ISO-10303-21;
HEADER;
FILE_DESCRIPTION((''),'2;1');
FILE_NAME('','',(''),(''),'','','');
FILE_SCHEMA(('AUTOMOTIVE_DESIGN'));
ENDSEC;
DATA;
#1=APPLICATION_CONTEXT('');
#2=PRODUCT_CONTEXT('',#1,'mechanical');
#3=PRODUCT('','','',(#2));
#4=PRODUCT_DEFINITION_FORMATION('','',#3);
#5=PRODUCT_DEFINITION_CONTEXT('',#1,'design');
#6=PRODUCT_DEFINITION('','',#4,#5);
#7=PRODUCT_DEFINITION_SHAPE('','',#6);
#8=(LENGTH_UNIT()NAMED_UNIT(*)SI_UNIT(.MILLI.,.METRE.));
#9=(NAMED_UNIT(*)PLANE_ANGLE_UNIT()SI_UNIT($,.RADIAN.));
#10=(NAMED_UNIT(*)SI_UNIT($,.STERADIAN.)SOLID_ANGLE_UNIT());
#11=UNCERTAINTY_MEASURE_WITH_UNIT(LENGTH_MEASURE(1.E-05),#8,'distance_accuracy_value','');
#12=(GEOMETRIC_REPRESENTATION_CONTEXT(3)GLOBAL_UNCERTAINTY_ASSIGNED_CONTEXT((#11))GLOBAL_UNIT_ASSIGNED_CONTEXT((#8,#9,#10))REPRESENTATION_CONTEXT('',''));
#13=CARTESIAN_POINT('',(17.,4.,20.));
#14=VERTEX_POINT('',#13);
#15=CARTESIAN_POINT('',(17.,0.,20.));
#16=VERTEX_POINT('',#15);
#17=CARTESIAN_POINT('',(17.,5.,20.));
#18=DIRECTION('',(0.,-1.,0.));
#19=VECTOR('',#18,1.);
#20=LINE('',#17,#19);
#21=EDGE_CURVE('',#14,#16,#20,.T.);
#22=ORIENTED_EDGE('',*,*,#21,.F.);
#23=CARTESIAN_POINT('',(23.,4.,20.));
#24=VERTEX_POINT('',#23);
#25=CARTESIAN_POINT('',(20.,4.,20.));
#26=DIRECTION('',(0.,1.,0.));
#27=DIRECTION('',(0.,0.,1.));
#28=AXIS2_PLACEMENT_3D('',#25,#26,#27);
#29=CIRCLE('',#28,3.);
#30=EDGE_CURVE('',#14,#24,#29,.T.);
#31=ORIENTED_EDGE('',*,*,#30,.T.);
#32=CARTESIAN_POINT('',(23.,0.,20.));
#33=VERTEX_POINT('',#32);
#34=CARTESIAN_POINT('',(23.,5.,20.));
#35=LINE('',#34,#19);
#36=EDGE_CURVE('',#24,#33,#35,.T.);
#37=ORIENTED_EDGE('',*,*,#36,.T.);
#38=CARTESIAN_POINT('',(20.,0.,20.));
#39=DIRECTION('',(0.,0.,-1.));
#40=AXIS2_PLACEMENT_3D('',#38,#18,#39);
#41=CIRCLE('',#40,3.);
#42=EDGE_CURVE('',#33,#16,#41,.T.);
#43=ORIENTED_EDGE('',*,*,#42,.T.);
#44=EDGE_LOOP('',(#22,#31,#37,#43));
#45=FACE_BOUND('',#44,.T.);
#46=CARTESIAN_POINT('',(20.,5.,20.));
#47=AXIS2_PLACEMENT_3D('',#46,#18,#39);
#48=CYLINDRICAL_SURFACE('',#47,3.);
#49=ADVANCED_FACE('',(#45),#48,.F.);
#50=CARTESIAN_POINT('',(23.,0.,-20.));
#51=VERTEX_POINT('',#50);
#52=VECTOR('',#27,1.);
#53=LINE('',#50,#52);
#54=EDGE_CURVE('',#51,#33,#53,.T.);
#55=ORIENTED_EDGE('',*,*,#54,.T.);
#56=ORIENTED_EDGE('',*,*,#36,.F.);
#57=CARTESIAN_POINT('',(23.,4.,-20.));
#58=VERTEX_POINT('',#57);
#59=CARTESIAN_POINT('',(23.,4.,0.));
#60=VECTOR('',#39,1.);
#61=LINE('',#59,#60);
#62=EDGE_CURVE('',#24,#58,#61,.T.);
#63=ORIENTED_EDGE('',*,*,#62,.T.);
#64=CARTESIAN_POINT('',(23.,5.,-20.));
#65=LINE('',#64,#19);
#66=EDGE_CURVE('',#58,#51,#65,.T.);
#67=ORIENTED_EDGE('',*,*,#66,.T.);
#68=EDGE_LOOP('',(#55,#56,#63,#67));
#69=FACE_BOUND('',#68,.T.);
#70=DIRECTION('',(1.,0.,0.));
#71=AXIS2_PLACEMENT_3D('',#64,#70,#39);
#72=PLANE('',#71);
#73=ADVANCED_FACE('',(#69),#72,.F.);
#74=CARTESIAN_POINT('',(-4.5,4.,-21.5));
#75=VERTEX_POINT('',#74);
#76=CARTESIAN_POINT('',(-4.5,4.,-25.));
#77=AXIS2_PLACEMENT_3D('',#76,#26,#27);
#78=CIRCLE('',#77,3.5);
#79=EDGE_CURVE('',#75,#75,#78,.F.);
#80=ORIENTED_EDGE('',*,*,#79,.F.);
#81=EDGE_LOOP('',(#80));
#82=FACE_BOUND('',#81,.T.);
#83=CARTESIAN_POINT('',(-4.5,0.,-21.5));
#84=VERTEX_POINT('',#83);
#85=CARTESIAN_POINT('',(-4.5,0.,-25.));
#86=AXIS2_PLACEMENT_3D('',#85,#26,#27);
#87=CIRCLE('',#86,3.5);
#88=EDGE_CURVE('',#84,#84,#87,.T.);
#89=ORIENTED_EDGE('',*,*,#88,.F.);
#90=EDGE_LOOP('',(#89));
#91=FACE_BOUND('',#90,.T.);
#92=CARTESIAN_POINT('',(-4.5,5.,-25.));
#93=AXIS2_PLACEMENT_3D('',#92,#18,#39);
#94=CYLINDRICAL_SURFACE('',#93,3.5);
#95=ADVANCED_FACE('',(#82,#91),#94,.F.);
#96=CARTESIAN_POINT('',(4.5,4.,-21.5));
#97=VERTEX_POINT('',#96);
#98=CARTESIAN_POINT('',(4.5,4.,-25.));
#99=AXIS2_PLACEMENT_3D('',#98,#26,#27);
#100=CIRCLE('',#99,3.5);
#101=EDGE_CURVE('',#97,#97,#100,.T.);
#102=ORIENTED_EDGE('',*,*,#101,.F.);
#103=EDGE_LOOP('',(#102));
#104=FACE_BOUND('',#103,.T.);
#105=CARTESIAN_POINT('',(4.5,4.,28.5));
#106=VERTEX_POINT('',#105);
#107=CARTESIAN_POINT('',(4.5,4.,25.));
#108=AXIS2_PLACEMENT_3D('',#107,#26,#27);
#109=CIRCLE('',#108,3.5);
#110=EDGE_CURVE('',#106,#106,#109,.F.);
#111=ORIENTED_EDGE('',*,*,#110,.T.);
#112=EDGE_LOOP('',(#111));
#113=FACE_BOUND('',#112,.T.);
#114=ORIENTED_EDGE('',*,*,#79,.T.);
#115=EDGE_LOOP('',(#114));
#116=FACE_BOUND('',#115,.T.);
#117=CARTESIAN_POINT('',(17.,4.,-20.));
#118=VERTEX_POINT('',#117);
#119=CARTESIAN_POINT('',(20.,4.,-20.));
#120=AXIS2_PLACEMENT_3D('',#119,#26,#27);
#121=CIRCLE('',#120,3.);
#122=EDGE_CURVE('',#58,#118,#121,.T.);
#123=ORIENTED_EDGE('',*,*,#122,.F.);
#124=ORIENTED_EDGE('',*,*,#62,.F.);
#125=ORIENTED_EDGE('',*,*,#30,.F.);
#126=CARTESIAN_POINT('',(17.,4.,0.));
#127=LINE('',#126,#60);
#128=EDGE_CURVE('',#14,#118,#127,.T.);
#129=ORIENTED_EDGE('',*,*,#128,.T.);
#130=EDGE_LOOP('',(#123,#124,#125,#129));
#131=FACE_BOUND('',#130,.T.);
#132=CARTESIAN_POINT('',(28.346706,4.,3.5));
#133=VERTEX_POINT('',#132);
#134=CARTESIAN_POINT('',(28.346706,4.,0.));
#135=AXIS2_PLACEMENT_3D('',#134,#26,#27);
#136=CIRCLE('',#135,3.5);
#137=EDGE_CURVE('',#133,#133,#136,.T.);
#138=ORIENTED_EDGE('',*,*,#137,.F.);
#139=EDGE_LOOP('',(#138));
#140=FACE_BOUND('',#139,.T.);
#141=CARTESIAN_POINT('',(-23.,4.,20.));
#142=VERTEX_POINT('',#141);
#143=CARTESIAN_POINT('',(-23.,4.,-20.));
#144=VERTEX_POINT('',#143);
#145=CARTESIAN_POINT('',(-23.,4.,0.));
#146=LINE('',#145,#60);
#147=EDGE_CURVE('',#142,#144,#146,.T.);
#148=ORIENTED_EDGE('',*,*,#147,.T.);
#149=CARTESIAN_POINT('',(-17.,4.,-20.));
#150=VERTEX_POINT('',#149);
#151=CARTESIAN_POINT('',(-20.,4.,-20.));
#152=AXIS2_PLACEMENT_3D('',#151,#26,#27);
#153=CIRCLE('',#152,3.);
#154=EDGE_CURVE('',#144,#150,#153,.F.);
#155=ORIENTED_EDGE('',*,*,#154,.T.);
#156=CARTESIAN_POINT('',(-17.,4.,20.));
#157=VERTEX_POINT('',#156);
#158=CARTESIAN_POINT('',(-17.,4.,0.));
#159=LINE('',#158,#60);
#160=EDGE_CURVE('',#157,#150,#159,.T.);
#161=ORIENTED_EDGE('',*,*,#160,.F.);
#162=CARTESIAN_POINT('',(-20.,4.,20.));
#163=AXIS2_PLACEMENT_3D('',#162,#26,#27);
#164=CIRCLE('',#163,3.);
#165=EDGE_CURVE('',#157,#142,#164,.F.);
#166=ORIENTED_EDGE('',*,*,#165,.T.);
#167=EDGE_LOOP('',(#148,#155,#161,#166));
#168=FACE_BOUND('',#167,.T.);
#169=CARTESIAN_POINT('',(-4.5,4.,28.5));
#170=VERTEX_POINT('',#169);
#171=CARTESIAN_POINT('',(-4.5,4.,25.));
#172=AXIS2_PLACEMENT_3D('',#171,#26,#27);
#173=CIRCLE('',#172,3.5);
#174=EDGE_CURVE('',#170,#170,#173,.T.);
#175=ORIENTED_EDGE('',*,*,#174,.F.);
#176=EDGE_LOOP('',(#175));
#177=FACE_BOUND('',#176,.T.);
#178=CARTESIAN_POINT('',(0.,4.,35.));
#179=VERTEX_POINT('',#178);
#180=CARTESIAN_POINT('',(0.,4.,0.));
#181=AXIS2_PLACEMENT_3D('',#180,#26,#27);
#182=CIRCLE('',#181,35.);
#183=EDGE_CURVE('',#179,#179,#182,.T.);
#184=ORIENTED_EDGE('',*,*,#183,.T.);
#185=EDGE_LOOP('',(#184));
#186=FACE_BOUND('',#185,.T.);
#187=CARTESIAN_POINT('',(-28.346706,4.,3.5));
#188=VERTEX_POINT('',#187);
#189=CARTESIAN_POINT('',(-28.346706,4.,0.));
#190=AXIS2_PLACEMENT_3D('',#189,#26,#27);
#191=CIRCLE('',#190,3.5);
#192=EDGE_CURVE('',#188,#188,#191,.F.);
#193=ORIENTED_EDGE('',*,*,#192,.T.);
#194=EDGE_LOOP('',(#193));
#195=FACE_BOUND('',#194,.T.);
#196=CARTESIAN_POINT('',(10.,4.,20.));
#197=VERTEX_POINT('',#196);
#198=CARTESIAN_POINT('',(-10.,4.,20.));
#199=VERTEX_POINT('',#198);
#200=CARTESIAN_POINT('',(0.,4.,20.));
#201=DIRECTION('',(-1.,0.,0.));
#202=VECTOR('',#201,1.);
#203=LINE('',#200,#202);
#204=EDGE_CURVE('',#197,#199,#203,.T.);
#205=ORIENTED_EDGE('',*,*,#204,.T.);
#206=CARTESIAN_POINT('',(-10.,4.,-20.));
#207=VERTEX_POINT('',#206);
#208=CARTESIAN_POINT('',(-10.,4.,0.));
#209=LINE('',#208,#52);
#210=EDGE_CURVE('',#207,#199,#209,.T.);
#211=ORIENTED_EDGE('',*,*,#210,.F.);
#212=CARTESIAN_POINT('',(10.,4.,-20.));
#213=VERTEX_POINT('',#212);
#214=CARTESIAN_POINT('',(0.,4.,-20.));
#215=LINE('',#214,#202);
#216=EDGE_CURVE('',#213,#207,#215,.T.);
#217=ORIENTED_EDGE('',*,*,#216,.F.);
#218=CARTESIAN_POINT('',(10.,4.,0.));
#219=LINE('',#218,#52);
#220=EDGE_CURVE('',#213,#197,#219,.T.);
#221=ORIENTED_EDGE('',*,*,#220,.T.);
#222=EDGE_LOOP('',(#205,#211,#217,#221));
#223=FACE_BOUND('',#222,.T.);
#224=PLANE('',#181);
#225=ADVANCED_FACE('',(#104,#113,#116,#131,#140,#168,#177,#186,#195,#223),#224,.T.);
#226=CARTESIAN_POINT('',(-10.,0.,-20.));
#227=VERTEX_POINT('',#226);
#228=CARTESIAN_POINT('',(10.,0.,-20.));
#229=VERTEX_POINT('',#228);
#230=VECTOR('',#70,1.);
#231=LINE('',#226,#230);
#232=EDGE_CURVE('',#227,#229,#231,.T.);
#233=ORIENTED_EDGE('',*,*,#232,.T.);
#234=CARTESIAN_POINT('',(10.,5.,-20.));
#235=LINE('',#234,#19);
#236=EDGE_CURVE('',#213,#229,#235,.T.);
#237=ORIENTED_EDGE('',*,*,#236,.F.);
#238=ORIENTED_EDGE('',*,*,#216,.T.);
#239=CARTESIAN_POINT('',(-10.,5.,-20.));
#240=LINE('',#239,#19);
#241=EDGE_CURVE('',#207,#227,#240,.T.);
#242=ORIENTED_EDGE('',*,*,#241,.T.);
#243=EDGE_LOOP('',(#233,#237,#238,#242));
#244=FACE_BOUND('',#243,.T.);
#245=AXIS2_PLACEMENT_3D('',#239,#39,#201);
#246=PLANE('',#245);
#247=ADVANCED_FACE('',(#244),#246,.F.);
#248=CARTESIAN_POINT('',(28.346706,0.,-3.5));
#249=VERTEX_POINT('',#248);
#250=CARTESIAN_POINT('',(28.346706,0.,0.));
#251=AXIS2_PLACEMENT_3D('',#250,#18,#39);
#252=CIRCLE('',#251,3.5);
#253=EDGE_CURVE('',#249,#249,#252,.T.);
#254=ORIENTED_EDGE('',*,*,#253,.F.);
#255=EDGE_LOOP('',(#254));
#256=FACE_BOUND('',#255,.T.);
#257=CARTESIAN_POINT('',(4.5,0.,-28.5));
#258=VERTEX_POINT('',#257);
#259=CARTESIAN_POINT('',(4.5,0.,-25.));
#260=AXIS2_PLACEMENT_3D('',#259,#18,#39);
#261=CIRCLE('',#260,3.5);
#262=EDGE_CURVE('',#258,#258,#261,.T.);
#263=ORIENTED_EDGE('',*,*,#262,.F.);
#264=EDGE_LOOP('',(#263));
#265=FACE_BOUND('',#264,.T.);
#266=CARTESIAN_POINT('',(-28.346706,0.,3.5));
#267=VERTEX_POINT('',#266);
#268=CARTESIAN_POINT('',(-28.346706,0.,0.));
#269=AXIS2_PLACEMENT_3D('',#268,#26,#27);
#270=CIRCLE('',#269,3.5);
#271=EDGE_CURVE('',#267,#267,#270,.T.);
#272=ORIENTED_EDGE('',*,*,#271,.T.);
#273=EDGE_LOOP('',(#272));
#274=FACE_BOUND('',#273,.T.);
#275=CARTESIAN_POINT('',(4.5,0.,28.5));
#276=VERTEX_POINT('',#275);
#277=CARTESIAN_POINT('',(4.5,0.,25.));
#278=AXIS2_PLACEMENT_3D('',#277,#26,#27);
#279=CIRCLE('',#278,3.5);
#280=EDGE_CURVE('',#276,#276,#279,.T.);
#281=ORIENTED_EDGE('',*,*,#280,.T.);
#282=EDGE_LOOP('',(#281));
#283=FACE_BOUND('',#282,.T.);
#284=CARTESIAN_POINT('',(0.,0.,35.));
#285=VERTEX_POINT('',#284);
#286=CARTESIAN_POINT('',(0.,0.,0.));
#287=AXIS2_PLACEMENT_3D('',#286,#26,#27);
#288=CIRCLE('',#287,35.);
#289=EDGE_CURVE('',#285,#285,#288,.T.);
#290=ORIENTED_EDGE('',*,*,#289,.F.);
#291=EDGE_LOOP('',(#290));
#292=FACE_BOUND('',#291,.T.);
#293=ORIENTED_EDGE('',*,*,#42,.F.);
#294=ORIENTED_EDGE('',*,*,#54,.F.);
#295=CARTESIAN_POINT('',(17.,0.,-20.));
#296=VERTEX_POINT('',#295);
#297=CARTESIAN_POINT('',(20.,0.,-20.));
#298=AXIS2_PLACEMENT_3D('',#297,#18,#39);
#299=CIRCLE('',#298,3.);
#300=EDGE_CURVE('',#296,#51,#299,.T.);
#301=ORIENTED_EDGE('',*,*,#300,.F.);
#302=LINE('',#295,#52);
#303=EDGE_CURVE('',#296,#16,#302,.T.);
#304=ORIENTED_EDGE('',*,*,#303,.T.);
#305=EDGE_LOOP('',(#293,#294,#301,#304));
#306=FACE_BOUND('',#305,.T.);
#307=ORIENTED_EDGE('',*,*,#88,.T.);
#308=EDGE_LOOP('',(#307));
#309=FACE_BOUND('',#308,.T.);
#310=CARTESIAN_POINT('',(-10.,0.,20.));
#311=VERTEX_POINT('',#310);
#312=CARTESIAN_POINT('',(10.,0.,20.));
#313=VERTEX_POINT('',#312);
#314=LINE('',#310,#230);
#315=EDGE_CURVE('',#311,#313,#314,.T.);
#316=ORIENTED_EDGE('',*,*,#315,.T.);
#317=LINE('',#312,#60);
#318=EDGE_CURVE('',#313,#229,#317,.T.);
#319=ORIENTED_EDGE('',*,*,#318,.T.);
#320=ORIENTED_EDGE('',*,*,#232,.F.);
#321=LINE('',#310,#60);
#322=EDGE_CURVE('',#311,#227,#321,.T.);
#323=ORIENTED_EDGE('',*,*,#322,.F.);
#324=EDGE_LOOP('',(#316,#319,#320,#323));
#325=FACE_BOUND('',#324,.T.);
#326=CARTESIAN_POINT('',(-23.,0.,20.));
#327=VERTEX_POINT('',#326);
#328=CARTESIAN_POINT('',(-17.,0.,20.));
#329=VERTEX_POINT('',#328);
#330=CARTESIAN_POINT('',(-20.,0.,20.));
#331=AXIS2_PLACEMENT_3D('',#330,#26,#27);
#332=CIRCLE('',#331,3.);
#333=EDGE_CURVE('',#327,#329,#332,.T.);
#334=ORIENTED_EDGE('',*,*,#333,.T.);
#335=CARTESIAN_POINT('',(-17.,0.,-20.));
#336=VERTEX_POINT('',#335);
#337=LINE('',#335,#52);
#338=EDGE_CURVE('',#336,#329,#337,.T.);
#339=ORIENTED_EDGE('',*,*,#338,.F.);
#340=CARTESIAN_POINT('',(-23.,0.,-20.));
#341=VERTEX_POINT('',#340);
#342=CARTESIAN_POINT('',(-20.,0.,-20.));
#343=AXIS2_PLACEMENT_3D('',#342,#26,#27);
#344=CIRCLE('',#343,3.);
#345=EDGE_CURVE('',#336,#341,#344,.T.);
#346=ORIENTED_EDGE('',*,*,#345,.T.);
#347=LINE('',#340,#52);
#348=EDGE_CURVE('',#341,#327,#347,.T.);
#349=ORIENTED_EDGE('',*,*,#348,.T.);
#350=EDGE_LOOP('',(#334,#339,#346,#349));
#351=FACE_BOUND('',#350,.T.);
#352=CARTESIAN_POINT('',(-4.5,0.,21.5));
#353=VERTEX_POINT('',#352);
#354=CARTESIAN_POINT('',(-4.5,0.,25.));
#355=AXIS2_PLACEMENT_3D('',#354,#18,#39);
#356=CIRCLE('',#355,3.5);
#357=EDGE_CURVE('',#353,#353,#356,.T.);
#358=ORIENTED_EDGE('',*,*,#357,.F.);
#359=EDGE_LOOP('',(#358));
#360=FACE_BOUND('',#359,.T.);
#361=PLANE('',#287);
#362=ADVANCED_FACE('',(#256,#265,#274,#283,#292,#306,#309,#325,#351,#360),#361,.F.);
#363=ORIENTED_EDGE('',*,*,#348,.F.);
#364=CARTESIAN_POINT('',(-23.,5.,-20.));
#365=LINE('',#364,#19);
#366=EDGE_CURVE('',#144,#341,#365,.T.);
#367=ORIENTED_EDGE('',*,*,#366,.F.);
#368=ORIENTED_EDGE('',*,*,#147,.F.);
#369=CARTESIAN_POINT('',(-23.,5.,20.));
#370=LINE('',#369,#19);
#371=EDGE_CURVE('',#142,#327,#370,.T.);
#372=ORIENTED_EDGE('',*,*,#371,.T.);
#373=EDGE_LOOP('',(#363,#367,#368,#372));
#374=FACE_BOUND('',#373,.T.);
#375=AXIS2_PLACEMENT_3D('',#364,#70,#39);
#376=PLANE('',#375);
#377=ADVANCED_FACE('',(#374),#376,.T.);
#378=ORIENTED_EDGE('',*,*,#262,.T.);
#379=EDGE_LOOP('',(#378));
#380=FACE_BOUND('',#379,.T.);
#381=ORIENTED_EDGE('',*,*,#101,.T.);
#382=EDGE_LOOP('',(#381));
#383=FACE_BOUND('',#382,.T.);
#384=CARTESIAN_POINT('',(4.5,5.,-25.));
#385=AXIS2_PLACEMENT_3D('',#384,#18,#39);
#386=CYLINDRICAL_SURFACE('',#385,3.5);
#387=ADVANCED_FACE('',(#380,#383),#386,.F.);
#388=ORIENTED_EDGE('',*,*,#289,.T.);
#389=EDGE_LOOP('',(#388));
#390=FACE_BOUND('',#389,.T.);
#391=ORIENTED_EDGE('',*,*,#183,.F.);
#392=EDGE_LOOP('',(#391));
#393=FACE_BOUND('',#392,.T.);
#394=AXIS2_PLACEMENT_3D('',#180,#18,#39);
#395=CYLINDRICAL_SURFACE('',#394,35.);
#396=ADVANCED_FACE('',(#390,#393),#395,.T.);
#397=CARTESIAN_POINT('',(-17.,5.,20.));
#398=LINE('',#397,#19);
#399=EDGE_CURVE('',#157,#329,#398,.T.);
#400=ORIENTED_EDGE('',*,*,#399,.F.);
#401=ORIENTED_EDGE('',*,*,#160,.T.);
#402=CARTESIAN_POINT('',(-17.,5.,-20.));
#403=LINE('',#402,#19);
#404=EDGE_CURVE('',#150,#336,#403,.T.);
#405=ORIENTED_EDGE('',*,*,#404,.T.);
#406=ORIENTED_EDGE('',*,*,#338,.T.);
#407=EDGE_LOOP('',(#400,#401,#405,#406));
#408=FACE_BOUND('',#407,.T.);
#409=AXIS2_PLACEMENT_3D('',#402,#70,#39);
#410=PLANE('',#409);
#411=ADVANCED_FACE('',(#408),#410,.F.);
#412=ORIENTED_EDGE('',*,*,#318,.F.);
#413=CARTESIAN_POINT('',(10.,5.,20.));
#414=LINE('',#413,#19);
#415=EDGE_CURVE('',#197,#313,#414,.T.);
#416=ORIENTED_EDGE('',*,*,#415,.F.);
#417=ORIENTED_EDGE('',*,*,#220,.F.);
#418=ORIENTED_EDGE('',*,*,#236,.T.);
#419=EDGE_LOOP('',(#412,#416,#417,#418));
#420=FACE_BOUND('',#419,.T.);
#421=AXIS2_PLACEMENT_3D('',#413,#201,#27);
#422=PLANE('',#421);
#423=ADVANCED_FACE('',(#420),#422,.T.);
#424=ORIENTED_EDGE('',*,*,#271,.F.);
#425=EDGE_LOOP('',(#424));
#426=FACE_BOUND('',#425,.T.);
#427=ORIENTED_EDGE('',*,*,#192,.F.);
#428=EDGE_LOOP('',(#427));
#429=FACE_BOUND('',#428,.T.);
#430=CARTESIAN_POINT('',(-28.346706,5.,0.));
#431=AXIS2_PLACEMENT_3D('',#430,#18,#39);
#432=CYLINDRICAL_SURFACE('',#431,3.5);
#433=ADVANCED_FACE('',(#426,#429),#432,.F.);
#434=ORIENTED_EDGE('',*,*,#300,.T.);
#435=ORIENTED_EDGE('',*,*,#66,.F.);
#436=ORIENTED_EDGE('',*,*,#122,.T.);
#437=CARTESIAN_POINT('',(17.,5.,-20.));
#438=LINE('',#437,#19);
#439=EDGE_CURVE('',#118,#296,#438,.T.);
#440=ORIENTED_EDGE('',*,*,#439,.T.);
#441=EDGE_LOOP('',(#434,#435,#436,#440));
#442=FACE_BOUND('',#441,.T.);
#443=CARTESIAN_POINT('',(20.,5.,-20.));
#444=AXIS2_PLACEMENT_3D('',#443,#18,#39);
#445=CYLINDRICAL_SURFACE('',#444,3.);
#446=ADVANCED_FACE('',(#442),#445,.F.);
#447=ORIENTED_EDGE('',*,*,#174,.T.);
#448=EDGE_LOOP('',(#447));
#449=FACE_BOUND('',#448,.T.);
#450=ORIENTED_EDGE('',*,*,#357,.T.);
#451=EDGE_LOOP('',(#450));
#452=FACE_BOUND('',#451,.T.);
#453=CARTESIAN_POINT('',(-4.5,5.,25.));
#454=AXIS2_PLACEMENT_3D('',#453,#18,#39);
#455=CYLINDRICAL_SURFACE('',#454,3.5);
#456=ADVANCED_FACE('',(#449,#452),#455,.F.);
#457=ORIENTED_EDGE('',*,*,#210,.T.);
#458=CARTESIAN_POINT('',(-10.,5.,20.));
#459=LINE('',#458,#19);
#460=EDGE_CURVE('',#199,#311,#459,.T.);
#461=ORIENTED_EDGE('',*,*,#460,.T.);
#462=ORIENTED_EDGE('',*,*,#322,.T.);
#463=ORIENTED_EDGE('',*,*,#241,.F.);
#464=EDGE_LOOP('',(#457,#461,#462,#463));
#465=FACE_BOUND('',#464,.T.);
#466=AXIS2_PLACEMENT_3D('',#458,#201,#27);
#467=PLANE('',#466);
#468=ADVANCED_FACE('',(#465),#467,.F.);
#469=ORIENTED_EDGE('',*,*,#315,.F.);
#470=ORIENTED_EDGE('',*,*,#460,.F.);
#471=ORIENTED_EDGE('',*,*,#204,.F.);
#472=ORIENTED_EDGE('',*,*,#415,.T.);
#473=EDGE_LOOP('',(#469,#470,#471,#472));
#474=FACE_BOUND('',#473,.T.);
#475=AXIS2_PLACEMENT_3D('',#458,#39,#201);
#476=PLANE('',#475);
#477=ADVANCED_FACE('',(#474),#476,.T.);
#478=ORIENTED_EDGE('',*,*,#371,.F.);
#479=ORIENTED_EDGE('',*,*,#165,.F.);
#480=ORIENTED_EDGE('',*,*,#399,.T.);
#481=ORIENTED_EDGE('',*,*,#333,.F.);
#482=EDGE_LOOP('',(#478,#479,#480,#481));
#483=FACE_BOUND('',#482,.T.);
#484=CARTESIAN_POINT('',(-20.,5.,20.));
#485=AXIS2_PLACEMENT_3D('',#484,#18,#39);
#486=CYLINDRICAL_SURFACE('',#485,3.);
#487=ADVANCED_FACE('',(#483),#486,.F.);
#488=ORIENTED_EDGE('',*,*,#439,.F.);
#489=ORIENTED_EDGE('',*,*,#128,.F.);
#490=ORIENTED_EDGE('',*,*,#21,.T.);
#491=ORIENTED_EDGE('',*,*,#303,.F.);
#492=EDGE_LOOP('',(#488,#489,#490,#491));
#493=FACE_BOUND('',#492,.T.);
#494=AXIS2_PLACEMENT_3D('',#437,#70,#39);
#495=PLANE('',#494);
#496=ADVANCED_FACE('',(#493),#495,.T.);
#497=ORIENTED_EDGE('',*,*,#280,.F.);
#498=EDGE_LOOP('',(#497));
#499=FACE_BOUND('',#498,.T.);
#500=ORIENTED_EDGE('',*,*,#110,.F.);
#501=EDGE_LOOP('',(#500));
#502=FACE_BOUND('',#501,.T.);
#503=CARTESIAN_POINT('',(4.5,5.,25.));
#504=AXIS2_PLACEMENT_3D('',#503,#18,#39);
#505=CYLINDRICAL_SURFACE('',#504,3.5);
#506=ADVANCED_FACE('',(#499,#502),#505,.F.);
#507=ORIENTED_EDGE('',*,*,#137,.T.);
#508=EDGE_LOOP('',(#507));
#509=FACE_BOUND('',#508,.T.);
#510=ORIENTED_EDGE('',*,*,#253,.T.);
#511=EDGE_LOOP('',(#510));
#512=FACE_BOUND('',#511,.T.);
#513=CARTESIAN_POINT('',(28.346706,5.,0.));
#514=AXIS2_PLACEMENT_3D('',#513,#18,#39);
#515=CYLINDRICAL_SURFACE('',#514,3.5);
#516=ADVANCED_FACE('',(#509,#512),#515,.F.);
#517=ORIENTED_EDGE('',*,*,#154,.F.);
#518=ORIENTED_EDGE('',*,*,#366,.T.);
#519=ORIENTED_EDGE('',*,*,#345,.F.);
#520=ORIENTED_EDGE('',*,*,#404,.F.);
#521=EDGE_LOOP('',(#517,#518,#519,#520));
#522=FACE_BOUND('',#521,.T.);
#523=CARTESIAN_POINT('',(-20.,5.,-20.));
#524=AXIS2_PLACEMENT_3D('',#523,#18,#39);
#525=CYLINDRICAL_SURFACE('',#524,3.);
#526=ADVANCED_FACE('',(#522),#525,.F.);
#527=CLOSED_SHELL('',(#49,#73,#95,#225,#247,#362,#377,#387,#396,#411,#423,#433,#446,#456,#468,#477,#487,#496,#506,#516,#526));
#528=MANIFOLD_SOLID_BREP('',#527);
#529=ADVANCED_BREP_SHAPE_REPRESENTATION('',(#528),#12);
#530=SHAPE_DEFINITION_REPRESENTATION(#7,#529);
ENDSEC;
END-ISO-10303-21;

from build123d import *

# Parameters (mm, degrees)
SKETCH1_R           = 35
BOSS_EXTRUDE1_DEPTH = 4
SKETCH2_R           = 3.5
SKETCH2_W           = 20
SKETCH2_H           = 40
CUT_EXTRUDE1_DEPTH  = 5


with BuildPart() as part:
    # Sketch1 → Boss-Extrude1 (new body)
    with BuildSketch(Plane(origin=(0, 0, 0), x_dir=(1, 0, 0), z_dir=(0, 1, 0))):
        with Locations(Location((0, 0, 0), (0, 0, 270))):
            Circle(SKETCH1_R)
    extrude(amount=BOSS_EXTRUDE1_DEPTH)

    # Sketch2 → Cut-Extrude1 (cut)
    with BuildSketch(Plane(origin=(0, 0, 0), x_dir=(1, 0, 0), z_dir=(0, 1, 0))):
        with Locations(Location((-4.5, 25, 0), (0, 0, 270))):
            Circle(SKETCH2_R)
        with Locations(Location((4.5, 25, 0), (0, 0, 90))):
            Circle(SKETCH2_R)
        with Locations(Location((4.5, -25, 0), (0, 0, 270))):
            Circle(SKETCH2_R)
        with Locations(Location((-4.5, -25, 0), (0, 0, 90))):
            Circle(SKETCH2_R)
        with Locations(Location((-28.346706054, 0, 0), (0, 0, 270))):
            Circle(SKETCH2_R)
        with Locations(Location((28.346706054, 0, 0), (0, 0, 90))):
            Circle(SKETCH2_R)
        Rectangle(SKETCH2_W, SKETCH2_H)
        with BuildLine():
            Line((-17, 20), (-17, -20))
            ThreePointArc((-17, -20), (-20, -23), (-23, -20))
            Line((-23, -20), (-23, 20))
            ThreePointArc((-23, 20), (-20, 23), (-17, 20))
        make_face()
        with BuildLine():
            Line((17, 20), (17, -20))
            ThreePointArc((17, -20), (20, -23), (23, -20))
            Line((23, -20), (23, 20))
            ThreePointArc((23, 20), (20, 23), (17, 20))
        make_face()
    extrude(amount=CUT_EXTRUDE1_DEPTH, mode=Mode.SUBTRACT)


solid = part.part
